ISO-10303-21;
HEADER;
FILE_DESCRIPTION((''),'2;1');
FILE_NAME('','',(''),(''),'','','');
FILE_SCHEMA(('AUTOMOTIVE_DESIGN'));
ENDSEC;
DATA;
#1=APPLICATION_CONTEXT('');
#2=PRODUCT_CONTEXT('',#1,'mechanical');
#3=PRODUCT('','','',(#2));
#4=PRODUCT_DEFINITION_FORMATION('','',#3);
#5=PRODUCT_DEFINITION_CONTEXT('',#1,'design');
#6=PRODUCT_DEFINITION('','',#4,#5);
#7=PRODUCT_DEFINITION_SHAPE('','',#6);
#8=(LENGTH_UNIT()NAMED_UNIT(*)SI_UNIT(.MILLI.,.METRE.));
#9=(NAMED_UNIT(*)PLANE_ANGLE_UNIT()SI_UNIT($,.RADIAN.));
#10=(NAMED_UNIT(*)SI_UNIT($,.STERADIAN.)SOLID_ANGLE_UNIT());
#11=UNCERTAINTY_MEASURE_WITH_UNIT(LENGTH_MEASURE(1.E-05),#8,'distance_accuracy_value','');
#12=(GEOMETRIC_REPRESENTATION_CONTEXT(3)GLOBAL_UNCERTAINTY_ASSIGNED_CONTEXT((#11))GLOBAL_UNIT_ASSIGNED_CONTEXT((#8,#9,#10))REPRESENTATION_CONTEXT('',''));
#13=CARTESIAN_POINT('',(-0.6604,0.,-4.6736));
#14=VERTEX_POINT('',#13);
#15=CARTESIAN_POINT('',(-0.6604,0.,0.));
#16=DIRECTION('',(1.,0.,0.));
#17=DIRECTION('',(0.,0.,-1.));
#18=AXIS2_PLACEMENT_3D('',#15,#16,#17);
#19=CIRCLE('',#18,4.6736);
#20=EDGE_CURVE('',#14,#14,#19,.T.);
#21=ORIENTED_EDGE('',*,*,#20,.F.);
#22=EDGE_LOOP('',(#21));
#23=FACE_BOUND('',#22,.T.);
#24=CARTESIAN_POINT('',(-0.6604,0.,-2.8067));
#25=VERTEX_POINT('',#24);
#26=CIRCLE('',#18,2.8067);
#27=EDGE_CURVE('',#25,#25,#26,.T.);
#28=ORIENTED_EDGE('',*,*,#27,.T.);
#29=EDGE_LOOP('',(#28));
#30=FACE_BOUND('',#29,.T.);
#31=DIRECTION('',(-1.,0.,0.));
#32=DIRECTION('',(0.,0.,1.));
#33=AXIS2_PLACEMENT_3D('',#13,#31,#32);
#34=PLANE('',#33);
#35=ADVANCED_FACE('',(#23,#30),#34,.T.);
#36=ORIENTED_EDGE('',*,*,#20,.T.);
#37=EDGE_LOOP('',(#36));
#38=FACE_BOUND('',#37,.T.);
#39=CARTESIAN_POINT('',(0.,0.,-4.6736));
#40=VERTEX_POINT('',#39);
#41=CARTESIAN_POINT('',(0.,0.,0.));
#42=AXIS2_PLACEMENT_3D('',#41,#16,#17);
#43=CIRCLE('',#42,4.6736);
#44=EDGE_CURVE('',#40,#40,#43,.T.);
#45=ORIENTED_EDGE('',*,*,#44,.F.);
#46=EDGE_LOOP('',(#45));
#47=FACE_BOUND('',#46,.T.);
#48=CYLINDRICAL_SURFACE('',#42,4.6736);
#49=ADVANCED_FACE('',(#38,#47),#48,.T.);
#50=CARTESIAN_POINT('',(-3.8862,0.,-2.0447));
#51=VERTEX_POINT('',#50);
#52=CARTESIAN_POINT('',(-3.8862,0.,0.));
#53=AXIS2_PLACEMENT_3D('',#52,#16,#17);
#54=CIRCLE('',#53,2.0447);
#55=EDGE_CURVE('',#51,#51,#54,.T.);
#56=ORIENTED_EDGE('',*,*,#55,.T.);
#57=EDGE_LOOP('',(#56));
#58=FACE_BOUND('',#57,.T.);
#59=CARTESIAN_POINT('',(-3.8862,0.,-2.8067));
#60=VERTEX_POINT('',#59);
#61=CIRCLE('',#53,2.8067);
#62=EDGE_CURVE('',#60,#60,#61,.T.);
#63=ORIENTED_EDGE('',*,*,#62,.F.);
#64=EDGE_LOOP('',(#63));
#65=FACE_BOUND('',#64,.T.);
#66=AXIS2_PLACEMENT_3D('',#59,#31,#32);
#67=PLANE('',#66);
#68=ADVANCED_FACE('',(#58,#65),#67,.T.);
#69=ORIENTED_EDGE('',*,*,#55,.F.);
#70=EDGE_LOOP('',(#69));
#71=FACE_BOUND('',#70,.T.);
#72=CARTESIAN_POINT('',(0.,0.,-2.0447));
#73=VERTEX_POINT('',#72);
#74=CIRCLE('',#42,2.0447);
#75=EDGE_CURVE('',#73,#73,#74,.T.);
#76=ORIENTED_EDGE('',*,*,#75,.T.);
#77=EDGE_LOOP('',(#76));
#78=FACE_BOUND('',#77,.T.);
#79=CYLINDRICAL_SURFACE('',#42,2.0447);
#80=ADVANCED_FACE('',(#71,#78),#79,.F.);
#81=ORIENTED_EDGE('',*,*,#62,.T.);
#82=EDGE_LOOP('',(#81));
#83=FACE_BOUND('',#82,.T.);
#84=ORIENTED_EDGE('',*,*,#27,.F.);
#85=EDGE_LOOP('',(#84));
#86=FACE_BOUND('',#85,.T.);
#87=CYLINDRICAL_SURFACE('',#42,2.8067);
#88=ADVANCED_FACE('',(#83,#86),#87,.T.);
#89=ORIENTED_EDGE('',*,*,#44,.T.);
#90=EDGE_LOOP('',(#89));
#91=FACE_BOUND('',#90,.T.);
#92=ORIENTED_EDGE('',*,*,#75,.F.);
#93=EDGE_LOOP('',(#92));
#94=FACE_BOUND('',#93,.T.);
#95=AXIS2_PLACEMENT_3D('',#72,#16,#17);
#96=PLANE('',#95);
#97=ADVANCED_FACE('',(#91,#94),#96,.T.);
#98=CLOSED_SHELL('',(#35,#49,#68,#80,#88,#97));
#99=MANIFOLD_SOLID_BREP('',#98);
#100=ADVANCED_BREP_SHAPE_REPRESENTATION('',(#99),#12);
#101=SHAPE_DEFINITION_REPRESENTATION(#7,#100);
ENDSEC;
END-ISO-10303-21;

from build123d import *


with BuildPart() as part:
    # Sketch1 → Revolve1 (revolve)
    with BuildSketch(Plane(origin=(0, 0, 0), x_dir=(1, 0, 0), z_dir=(0, 1, 0))):
        Polygon((0, 2.0447), (0, 4.6736), (-0.6604, 4.6736), (-0.6604, 2.8067), (-3.8862, 2.8067), (-3.8862, 2.0447), align=None)
    revolve(axis=Axis((0, 0, 0), (-1, 0, 0)))


solid = part.part
